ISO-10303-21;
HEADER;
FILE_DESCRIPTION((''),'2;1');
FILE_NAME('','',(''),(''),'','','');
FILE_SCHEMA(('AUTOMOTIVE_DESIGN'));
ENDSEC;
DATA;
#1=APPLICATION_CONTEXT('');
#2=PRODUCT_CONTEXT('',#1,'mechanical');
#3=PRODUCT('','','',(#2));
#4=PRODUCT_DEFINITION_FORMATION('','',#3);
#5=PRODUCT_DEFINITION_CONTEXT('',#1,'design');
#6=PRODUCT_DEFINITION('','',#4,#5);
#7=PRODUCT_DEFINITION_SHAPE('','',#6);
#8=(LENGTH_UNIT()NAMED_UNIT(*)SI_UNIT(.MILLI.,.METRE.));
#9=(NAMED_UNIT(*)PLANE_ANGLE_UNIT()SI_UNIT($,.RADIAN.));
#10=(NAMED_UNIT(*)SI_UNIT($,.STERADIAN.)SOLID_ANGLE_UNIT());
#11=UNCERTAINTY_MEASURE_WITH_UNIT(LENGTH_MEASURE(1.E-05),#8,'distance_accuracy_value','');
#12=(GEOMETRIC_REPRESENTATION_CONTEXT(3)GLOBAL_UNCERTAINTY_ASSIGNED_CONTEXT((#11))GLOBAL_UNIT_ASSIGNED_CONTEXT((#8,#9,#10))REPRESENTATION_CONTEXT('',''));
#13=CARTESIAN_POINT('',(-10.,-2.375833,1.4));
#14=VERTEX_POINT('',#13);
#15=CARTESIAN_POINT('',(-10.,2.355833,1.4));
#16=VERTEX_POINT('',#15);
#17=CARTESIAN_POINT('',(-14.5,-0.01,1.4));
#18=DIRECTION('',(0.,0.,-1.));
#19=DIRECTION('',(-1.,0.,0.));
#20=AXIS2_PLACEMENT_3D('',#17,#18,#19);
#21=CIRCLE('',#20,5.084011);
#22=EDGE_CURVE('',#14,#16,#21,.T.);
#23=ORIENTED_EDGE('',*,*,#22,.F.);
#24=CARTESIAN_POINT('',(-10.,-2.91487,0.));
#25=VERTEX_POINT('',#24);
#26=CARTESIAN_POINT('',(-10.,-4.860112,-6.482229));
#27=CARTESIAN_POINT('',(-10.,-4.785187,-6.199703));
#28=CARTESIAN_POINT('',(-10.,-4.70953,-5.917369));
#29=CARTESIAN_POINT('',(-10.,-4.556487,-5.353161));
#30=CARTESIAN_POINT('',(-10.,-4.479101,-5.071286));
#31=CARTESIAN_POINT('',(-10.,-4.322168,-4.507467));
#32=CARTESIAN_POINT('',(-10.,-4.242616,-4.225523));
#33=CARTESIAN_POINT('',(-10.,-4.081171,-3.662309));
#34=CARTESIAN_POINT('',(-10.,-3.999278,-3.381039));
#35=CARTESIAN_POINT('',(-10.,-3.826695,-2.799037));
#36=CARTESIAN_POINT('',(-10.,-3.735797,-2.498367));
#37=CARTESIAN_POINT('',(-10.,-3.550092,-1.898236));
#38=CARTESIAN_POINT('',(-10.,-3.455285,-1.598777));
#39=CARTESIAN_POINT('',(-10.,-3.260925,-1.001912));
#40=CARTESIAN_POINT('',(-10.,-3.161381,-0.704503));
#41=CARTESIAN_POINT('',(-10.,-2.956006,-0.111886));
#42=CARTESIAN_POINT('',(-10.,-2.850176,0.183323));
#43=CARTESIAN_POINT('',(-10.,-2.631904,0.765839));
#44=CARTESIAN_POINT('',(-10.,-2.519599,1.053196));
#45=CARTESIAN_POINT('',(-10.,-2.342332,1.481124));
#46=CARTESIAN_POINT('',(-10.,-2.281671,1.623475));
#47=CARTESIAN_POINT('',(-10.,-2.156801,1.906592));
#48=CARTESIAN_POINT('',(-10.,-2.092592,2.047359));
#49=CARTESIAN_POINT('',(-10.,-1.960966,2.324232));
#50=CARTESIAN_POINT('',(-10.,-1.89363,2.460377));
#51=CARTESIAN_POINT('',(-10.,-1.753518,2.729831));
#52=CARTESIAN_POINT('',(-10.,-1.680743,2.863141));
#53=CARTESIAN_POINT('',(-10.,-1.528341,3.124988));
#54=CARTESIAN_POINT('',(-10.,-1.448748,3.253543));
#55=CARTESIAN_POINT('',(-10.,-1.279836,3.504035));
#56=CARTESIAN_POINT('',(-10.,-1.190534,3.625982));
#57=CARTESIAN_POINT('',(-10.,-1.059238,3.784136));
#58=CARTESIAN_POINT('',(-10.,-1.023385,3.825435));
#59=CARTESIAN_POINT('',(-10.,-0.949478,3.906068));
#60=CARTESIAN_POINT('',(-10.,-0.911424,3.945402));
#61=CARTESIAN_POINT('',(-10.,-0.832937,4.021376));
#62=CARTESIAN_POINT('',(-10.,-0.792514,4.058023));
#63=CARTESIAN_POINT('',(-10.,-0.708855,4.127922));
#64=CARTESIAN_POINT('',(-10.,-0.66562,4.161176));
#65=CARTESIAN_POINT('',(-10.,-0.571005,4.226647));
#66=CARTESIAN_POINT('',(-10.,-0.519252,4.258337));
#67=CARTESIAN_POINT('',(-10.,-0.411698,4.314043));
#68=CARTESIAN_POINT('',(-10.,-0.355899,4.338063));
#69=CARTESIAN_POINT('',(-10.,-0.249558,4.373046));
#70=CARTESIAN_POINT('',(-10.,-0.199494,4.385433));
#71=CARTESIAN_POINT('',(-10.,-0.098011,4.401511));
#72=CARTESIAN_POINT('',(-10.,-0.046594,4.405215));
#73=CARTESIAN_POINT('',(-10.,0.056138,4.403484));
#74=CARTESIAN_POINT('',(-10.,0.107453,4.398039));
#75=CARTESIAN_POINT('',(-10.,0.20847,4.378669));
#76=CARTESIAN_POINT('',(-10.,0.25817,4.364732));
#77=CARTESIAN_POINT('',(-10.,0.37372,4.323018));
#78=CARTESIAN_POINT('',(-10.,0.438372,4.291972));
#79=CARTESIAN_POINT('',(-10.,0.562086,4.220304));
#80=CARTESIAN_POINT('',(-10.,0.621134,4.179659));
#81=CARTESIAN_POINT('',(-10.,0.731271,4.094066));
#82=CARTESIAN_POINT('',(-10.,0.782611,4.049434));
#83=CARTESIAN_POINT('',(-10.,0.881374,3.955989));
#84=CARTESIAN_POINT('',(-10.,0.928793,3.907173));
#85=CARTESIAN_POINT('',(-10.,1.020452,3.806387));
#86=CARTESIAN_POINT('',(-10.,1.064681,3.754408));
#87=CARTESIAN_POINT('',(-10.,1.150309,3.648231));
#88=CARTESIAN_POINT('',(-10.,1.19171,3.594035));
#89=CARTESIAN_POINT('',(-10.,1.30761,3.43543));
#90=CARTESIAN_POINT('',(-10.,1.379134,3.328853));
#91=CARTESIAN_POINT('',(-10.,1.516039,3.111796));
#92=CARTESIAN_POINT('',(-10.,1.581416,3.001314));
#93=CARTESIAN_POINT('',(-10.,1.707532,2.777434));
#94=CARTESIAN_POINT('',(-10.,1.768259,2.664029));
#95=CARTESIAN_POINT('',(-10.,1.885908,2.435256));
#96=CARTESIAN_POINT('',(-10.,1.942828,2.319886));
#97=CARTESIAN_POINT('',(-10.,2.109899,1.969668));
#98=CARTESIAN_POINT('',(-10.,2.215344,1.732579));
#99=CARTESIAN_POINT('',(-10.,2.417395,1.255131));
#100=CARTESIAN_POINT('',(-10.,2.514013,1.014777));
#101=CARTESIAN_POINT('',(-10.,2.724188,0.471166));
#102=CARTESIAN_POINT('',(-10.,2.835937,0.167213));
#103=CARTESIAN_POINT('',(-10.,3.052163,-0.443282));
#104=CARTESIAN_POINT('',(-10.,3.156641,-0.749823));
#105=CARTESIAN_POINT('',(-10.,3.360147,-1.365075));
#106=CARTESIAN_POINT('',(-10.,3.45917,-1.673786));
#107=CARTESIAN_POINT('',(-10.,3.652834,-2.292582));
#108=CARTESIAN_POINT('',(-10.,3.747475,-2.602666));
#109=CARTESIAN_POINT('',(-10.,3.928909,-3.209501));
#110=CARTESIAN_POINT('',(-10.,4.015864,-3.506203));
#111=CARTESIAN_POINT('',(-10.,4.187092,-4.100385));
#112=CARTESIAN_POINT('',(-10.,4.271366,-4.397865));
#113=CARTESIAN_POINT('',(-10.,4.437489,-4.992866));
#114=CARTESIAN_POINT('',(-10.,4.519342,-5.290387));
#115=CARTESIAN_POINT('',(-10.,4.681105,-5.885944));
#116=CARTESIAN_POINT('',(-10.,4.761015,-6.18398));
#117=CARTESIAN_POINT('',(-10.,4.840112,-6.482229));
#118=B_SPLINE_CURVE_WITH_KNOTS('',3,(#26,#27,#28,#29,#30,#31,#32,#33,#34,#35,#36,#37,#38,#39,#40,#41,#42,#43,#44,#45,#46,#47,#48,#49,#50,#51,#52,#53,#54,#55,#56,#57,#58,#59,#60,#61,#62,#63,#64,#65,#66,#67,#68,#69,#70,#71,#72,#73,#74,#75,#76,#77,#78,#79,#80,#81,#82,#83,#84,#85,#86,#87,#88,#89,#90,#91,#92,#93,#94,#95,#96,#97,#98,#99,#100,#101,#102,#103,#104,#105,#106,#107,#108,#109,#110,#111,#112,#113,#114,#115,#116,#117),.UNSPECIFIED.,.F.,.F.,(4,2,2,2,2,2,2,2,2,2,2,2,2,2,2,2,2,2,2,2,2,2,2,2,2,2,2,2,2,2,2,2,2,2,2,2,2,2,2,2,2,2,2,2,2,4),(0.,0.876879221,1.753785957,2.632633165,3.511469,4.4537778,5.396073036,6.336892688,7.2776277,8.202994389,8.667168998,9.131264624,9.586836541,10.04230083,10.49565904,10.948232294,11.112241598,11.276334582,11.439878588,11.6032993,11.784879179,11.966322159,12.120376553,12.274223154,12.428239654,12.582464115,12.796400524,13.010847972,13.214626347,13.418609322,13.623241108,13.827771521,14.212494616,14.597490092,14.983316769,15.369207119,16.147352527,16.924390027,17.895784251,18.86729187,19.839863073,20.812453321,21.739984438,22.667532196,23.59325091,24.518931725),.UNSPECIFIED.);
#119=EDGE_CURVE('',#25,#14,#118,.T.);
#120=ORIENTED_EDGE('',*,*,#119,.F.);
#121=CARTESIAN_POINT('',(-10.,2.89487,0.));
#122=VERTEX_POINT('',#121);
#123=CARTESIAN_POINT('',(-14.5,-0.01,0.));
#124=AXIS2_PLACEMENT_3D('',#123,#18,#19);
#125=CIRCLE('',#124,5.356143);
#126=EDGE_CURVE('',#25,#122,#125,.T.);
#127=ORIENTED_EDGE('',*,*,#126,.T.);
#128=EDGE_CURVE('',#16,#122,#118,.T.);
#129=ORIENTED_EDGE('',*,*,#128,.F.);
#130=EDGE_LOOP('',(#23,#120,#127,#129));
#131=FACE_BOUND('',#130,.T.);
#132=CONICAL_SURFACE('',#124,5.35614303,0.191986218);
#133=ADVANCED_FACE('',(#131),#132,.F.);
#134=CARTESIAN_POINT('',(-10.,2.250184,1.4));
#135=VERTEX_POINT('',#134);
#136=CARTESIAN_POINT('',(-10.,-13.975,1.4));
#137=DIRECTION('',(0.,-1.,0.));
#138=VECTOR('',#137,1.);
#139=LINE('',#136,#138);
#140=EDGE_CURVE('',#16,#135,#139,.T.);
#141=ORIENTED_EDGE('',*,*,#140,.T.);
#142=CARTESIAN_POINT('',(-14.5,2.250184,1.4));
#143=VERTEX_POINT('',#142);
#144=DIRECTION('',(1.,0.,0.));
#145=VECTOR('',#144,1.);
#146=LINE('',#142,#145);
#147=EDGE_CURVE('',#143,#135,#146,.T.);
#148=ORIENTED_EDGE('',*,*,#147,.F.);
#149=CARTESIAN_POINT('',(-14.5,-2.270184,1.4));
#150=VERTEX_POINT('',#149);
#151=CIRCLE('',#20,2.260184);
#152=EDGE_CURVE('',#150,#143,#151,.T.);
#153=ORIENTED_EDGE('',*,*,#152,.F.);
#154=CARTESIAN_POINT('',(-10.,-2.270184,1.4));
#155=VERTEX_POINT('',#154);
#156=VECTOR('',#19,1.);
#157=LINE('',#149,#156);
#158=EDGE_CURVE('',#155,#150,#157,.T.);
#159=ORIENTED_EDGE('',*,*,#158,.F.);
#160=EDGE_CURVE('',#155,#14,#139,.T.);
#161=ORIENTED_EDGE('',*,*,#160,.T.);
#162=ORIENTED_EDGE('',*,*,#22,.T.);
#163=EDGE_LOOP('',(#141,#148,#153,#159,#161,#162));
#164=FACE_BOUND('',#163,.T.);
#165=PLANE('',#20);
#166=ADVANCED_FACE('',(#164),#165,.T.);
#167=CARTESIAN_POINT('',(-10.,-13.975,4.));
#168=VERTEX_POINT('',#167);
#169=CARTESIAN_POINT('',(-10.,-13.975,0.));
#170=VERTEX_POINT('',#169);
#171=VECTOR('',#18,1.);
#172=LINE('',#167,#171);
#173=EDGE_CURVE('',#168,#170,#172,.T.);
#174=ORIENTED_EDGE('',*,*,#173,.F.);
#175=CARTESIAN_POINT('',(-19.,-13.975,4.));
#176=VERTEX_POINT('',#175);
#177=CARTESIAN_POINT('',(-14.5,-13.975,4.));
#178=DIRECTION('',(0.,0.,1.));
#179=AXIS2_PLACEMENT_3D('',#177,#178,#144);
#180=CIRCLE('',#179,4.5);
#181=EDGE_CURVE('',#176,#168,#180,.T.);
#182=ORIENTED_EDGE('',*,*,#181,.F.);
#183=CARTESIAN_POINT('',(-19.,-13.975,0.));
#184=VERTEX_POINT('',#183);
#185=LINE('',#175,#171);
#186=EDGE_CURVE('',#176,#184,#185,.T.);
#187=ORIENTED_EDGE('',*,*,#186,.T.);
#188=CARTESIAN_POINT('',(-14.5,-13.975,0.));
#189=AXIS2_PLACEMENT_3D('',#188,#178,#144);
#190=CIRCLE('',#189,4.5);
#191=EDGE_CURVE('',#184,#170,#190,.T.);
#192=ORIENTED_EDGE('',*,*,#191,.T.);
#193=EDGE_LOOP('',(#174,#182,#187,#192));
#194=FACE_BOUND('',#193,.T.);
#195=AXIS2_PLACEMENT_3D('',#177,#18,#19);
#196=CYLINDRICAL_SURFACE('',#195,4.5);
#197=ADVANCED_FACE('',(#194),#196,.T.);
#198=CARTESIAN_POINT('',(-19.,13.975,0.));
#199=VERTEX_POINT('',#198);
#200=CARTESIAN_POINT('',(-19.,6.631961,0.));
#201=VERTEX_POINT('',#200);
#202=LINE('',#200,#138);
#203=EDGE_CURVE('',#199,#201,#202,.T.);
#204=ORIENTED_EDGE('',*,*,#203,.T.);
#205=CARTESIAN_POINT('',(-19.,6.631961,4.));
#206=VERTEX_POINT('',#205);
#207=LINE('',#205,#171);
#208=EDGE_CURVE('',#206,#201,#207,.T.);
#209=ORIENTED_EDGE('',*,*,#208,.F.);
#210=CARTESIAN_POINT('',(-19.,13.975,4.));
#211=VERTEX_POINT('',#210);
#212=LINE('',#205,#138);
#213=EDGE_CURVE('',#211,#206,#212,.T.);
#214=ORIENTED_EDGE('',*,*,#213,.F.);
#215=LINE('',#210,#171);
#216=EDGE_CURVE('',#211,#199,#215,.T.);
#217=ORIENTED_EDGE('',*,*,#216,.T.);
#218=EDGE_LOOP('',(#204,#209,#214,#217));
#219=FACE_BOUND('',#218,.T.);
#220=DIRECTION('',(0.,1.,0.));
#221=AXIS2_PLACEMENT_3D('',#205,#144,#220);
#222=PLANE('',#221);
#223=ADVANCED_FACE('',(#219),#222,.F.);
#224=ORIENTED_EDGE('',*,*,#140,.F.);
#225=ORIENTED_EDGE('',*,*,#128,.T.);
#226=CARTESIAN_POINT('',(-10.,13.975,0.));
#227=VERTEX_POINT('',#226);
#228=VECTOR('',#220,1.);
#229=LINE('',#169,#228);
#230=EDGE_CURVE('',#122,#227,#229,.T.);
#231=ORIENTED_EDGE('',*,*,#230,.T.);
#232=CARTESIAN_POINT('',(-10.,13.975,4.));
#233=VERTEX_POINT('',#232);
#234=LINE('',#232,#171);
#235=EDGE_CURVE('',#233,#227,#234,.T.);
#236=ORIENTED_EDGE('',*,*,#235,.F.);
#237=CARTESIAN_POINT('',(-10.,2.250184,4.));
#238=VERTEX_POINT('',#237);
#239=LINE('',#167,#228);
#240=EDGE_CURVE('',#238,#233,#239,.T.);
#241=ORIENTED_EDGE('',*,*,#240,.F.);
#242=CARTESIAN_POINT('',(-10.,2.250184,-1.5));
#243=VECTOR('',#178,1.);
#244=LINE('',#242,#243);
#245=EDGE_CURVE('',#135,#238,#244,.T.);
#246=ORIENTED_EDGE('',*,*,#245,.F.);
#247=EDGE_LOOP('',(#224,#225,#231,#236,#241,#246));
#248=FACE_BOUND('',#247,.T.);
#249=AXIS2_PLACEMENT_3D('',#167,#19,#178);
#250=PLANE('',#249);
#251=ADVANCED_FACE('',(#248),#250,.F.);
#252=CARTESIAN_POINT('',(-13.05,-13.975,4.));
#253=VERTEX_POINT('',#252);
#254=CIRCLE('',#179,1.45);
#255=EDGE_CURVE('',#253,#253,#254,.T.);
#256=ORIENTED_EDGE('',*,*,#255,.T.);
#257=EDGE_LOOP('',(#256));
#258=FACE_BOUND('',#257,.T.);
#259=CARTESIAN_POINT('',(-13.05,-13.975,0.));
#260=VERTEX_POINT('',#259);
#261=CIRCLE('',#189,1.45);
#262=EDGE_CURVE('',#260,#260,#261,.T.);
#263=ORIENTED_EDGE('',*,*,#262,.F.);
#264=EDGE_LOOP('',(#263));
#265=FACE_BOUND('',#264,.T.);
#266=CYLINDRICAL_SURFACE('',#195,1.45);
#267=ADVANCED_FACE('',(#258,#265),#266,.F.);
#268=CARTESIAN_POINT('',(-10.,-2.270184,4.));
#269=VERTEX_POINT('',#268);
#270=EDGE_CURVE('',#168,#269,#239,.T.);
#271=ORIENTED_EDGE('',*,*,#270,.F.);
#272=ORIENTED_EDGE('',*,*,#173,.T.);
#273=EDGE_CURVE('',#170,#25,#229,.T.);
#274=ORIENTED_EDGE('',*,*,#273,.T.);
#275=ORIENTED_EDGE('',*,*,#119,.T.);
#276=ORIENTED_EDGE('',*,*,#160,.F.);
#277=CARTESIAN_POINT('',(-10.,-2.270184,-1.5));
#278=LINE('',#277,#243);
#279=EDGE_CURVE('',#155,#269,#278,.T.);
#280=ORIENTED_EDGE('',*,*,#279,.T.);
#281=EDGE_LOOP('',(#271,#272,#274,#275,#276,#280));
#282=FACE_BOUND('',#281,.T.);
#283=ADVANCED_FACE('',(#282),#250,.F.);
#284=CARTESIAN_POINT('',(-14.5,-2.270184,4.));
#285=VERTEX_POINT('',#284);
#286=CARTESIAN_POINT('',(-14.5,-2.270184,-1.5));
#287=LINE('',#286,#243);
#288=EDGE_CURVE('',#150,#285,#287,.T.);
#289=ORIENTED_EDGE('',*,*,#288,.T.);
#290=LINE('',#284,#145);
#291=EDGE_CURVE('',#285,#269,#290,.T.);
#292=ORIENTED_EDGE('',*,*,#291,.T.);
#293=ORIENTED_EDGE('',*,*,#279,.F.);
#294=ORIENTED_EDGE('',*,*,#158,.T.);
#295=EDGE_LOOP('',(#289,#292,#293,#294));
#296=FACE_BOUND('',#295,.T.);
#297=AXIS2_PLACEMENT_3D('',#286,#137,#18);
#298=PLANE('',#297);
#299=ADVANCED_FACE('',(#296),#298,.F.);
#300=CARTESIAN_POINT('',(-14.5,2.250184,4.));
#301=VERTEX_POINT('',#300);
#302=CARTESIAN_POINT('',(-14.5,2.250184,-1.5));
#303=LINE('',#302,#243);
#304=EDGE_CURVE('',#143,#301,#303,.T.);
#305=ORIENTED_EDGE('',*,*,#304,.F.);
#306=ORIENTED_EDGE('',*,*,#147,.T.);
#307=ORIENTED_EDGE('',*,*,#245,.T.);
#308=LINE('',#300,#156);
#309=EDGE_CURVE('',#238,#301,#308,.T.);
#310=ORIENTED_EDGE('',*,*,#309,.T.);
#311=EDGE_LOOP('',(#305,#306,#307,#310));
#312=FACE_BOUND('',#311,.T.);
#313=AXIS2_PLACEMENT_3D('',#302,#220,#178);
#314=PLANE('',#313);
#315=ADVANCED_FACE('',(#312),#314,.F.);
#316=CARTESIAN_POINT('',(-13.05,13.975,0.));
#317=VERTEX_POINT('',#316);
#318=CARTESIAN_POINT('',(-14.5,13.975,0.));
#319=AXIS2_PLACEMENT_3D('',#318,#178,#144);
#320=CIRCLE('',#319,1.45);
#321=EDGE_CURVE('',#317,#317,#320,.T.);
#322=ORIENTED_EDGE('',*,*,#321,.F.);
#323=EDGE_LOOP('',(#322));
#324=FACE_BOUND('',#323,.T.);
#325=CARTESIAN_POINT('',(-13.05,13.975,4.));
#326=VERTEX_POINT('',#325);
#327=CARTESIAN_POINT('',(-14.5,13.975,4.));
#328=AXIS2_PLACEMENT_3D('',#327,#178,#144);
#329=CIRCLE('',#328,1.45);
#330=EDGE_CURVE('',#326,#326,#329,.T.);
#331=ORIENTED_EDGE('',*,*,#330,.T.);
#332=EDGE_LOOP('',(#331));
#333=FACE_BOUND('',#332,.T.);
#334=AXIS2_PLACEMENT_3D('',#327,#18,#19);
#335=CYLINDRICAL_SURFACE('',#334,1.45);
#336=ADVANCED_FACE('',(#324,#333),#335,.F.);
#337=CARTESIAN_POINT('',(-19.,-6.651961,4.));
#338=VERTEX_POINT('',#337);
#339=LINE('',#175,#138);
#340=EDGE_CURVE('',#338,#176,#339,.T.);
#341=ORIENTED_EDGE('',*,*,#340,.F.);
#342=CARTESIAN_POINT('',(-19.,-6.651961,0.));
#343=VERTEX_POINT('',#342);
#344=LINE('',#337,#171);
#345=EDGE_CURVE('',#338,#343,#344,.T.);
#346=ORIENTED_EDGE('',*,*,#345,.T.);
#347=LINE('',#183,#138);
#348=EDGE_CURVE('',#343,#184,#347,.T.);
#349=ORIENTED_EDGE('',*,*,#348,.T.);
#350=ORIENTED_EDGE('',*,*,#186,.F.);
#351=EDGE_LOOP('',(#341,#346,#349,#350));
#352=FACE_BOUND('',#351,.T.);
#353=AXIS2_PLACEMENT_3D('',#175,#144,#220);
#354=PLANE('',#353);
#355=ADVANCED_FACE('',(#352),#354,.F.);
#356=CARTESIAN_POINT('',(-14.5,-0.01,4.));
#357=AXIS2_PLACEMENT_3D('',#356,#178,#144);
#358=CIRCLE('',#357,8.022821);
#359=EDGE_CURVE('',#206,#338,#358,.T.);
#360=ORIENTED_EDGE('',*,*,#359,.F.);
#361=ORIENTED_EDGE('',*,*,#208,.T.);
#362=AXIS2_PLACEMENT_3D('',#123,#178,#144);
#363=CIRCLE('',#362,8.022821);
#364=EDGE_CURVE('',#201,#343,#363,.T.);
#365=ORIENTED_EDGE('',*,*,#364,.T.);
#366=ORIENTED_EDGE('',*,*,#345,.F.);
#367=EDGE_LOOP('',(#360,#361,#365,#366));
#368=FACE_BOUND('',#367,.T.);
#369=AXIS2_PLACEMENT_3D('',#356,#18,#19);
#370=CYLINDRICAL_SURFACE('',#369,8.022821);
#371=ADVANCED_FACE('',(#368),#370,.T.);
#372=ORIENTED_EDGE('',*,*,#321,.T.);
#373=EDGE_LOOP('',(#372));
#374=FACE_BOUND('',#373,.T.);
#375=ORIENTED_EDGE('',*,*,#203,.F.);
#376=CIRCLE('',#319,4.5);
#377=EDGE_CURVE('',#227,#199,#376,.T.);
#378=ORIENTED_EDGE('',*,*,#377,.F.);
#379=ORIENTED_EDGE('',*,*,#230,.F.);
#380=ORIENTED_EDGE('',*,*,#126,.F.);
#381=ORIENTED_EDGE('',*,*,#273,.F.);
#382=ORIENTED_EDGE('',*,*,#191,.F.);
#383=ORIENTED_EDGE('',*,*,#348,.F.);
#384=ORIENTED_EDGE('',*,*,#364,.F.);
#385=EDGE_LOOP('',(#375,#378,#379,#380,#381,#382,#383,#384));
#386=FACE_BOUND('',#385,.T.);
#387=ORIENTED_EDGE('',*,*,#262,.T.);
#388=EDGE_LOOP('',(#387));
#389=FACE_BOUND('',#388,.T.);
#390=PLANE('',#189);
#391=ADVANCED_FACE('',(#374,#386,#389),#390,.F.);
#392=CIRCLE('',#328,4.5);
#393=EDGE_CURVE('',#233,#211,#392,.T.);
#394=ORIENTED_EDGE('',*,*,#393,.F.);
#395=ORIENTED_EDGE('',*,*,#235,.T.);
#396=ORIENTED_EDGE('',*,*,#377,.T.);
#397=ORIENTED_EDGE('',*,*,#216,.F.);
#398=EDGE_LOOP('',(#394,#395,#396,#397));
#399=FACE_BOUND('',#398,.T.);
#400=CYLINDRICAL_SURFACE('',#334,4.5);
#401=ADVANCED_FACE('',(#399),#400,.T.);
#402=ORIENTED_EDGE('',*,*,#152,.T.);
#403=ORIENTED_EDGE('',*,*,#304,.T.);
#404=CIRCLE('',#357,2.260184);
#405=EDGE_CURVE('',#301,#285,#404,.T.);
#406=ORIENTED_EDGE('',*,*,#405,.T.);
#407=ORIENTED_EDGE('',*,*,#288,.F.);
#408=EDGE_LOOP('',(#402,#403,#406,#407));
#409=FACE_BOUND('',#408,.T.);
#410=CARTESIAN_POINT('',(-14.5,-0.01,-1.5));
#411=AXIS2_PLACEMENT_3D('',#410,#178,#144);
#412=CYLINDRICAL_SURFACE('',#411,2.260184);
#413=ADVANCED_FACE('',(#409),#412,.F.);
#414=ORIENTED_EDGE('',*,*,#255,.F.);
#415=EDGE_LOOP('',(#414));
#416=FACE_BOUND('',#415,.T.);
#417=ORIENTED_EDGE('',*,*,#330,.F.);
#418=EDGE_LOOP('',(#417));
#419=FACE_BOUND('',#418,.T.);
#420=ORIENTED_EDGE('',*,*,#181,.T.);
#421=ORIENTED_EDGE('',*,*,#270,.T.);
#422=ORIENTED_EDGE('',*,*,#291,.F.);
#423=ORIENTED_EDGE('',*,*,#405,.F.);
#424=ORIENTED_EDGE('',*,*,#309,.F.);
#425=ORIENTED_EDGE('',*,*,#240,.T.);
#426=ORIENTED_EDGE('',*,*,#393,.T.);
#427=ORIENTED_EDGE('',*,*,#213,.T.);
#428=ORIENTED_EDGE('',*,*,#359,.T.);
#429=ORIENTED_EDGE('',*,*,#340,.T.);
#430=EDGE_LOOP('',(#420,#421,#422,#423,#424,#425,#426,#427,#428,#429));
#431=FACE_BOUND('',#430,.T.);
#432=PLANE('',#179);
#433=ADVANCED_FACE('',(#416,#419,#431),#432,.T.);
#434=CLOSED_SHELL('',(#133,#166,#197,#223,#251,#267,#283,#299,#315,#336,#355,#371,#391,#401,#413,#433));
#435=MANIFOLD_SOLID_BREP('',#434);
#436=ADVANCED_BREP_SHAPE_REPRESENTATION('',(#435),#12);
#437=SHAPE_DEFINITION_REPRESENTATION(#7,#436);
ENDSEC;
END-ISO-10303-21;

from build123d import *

# Parameters (mm, degrees)
SKETCH1_R           = 1.45
BOSS_EXTRUDE1_DEPTH = 4
SKETCH2_R           = 5.35614303
CUT_EXTRUDE1_DEPTH  = 1.4
CUT_EXTRUDE1_TAPER  = 11
CUT_EXTRUDE2_DEPTH  = 5.5


with BuildPart() as part:
    # Sketch1 → Boss-Extrude1 (new body)
    with BuildSketch(Plane.XY):
        with BuildLine():
            Line((-19, 6.631961257), (-19, 13.975))
            ThreePointArc((-19, 13.975), (-14.5, 18.475), (-10, 13.975))
            Line((-10, 13.975), (-10, -13.975))
            ThreePointArc((-10, -13.975), (-14.5, -18.475), (-19, -13.975))
            Line((-19, -13.975), (-19, -6.651961257))
            ThreePointArc((-19, -6.651961257), (-22.522820535, -0.01), (-19, 6.631961257))
        make_face()
        with Locations((-14.5, -13.975)):
            Circle(SKETCH1_R, mode=Mode.SUBTRACT)
        with Locations((-14.5, 13.975)):
            Circle(SKETCH1_R, mode=Mode.SUBTRACT)
    extrude(amount=BOSS_EXTRUDE1_DEPTH)

    # Sketch2 → Cut-Extrude1 (cut)
    with BuildSketch(Plane(origin=(0, 0, 0), x_dir=(-1, 0, 0), z_dir=(0, 0, -1))):
        with Locations((14.5, -0.01)):
            Circle(SKETCH2_R)
    extrude(amount=-CUT_EXTRUDE1_DEPTH, taper=CUT_EXTRUDE1_TAPER, mode=Mode.SUBTRACT)

    # Sketch3 → Cut-Extrude2 (cut)
    with BuildSketch(Plane.XY.offset(4)):
        with BuildLine():
            Line((-14.5, -2.270184411), (-10, -2.270184411))
            Line((-10, -2.270184411), (-10, 2.250184411))
            Line((-10, 2.250184411), (-14.5, 2.250184411))
            ThreePointArc((-14.5, 2.250184411), (-16.760184411, -0.01), (-14.5, -2.270184411))
        make_face()
    extrude(amount=-CUT_EXTRUDE2_DEPTH, mode=Mode.SUBTRACT)


solid = part.part
